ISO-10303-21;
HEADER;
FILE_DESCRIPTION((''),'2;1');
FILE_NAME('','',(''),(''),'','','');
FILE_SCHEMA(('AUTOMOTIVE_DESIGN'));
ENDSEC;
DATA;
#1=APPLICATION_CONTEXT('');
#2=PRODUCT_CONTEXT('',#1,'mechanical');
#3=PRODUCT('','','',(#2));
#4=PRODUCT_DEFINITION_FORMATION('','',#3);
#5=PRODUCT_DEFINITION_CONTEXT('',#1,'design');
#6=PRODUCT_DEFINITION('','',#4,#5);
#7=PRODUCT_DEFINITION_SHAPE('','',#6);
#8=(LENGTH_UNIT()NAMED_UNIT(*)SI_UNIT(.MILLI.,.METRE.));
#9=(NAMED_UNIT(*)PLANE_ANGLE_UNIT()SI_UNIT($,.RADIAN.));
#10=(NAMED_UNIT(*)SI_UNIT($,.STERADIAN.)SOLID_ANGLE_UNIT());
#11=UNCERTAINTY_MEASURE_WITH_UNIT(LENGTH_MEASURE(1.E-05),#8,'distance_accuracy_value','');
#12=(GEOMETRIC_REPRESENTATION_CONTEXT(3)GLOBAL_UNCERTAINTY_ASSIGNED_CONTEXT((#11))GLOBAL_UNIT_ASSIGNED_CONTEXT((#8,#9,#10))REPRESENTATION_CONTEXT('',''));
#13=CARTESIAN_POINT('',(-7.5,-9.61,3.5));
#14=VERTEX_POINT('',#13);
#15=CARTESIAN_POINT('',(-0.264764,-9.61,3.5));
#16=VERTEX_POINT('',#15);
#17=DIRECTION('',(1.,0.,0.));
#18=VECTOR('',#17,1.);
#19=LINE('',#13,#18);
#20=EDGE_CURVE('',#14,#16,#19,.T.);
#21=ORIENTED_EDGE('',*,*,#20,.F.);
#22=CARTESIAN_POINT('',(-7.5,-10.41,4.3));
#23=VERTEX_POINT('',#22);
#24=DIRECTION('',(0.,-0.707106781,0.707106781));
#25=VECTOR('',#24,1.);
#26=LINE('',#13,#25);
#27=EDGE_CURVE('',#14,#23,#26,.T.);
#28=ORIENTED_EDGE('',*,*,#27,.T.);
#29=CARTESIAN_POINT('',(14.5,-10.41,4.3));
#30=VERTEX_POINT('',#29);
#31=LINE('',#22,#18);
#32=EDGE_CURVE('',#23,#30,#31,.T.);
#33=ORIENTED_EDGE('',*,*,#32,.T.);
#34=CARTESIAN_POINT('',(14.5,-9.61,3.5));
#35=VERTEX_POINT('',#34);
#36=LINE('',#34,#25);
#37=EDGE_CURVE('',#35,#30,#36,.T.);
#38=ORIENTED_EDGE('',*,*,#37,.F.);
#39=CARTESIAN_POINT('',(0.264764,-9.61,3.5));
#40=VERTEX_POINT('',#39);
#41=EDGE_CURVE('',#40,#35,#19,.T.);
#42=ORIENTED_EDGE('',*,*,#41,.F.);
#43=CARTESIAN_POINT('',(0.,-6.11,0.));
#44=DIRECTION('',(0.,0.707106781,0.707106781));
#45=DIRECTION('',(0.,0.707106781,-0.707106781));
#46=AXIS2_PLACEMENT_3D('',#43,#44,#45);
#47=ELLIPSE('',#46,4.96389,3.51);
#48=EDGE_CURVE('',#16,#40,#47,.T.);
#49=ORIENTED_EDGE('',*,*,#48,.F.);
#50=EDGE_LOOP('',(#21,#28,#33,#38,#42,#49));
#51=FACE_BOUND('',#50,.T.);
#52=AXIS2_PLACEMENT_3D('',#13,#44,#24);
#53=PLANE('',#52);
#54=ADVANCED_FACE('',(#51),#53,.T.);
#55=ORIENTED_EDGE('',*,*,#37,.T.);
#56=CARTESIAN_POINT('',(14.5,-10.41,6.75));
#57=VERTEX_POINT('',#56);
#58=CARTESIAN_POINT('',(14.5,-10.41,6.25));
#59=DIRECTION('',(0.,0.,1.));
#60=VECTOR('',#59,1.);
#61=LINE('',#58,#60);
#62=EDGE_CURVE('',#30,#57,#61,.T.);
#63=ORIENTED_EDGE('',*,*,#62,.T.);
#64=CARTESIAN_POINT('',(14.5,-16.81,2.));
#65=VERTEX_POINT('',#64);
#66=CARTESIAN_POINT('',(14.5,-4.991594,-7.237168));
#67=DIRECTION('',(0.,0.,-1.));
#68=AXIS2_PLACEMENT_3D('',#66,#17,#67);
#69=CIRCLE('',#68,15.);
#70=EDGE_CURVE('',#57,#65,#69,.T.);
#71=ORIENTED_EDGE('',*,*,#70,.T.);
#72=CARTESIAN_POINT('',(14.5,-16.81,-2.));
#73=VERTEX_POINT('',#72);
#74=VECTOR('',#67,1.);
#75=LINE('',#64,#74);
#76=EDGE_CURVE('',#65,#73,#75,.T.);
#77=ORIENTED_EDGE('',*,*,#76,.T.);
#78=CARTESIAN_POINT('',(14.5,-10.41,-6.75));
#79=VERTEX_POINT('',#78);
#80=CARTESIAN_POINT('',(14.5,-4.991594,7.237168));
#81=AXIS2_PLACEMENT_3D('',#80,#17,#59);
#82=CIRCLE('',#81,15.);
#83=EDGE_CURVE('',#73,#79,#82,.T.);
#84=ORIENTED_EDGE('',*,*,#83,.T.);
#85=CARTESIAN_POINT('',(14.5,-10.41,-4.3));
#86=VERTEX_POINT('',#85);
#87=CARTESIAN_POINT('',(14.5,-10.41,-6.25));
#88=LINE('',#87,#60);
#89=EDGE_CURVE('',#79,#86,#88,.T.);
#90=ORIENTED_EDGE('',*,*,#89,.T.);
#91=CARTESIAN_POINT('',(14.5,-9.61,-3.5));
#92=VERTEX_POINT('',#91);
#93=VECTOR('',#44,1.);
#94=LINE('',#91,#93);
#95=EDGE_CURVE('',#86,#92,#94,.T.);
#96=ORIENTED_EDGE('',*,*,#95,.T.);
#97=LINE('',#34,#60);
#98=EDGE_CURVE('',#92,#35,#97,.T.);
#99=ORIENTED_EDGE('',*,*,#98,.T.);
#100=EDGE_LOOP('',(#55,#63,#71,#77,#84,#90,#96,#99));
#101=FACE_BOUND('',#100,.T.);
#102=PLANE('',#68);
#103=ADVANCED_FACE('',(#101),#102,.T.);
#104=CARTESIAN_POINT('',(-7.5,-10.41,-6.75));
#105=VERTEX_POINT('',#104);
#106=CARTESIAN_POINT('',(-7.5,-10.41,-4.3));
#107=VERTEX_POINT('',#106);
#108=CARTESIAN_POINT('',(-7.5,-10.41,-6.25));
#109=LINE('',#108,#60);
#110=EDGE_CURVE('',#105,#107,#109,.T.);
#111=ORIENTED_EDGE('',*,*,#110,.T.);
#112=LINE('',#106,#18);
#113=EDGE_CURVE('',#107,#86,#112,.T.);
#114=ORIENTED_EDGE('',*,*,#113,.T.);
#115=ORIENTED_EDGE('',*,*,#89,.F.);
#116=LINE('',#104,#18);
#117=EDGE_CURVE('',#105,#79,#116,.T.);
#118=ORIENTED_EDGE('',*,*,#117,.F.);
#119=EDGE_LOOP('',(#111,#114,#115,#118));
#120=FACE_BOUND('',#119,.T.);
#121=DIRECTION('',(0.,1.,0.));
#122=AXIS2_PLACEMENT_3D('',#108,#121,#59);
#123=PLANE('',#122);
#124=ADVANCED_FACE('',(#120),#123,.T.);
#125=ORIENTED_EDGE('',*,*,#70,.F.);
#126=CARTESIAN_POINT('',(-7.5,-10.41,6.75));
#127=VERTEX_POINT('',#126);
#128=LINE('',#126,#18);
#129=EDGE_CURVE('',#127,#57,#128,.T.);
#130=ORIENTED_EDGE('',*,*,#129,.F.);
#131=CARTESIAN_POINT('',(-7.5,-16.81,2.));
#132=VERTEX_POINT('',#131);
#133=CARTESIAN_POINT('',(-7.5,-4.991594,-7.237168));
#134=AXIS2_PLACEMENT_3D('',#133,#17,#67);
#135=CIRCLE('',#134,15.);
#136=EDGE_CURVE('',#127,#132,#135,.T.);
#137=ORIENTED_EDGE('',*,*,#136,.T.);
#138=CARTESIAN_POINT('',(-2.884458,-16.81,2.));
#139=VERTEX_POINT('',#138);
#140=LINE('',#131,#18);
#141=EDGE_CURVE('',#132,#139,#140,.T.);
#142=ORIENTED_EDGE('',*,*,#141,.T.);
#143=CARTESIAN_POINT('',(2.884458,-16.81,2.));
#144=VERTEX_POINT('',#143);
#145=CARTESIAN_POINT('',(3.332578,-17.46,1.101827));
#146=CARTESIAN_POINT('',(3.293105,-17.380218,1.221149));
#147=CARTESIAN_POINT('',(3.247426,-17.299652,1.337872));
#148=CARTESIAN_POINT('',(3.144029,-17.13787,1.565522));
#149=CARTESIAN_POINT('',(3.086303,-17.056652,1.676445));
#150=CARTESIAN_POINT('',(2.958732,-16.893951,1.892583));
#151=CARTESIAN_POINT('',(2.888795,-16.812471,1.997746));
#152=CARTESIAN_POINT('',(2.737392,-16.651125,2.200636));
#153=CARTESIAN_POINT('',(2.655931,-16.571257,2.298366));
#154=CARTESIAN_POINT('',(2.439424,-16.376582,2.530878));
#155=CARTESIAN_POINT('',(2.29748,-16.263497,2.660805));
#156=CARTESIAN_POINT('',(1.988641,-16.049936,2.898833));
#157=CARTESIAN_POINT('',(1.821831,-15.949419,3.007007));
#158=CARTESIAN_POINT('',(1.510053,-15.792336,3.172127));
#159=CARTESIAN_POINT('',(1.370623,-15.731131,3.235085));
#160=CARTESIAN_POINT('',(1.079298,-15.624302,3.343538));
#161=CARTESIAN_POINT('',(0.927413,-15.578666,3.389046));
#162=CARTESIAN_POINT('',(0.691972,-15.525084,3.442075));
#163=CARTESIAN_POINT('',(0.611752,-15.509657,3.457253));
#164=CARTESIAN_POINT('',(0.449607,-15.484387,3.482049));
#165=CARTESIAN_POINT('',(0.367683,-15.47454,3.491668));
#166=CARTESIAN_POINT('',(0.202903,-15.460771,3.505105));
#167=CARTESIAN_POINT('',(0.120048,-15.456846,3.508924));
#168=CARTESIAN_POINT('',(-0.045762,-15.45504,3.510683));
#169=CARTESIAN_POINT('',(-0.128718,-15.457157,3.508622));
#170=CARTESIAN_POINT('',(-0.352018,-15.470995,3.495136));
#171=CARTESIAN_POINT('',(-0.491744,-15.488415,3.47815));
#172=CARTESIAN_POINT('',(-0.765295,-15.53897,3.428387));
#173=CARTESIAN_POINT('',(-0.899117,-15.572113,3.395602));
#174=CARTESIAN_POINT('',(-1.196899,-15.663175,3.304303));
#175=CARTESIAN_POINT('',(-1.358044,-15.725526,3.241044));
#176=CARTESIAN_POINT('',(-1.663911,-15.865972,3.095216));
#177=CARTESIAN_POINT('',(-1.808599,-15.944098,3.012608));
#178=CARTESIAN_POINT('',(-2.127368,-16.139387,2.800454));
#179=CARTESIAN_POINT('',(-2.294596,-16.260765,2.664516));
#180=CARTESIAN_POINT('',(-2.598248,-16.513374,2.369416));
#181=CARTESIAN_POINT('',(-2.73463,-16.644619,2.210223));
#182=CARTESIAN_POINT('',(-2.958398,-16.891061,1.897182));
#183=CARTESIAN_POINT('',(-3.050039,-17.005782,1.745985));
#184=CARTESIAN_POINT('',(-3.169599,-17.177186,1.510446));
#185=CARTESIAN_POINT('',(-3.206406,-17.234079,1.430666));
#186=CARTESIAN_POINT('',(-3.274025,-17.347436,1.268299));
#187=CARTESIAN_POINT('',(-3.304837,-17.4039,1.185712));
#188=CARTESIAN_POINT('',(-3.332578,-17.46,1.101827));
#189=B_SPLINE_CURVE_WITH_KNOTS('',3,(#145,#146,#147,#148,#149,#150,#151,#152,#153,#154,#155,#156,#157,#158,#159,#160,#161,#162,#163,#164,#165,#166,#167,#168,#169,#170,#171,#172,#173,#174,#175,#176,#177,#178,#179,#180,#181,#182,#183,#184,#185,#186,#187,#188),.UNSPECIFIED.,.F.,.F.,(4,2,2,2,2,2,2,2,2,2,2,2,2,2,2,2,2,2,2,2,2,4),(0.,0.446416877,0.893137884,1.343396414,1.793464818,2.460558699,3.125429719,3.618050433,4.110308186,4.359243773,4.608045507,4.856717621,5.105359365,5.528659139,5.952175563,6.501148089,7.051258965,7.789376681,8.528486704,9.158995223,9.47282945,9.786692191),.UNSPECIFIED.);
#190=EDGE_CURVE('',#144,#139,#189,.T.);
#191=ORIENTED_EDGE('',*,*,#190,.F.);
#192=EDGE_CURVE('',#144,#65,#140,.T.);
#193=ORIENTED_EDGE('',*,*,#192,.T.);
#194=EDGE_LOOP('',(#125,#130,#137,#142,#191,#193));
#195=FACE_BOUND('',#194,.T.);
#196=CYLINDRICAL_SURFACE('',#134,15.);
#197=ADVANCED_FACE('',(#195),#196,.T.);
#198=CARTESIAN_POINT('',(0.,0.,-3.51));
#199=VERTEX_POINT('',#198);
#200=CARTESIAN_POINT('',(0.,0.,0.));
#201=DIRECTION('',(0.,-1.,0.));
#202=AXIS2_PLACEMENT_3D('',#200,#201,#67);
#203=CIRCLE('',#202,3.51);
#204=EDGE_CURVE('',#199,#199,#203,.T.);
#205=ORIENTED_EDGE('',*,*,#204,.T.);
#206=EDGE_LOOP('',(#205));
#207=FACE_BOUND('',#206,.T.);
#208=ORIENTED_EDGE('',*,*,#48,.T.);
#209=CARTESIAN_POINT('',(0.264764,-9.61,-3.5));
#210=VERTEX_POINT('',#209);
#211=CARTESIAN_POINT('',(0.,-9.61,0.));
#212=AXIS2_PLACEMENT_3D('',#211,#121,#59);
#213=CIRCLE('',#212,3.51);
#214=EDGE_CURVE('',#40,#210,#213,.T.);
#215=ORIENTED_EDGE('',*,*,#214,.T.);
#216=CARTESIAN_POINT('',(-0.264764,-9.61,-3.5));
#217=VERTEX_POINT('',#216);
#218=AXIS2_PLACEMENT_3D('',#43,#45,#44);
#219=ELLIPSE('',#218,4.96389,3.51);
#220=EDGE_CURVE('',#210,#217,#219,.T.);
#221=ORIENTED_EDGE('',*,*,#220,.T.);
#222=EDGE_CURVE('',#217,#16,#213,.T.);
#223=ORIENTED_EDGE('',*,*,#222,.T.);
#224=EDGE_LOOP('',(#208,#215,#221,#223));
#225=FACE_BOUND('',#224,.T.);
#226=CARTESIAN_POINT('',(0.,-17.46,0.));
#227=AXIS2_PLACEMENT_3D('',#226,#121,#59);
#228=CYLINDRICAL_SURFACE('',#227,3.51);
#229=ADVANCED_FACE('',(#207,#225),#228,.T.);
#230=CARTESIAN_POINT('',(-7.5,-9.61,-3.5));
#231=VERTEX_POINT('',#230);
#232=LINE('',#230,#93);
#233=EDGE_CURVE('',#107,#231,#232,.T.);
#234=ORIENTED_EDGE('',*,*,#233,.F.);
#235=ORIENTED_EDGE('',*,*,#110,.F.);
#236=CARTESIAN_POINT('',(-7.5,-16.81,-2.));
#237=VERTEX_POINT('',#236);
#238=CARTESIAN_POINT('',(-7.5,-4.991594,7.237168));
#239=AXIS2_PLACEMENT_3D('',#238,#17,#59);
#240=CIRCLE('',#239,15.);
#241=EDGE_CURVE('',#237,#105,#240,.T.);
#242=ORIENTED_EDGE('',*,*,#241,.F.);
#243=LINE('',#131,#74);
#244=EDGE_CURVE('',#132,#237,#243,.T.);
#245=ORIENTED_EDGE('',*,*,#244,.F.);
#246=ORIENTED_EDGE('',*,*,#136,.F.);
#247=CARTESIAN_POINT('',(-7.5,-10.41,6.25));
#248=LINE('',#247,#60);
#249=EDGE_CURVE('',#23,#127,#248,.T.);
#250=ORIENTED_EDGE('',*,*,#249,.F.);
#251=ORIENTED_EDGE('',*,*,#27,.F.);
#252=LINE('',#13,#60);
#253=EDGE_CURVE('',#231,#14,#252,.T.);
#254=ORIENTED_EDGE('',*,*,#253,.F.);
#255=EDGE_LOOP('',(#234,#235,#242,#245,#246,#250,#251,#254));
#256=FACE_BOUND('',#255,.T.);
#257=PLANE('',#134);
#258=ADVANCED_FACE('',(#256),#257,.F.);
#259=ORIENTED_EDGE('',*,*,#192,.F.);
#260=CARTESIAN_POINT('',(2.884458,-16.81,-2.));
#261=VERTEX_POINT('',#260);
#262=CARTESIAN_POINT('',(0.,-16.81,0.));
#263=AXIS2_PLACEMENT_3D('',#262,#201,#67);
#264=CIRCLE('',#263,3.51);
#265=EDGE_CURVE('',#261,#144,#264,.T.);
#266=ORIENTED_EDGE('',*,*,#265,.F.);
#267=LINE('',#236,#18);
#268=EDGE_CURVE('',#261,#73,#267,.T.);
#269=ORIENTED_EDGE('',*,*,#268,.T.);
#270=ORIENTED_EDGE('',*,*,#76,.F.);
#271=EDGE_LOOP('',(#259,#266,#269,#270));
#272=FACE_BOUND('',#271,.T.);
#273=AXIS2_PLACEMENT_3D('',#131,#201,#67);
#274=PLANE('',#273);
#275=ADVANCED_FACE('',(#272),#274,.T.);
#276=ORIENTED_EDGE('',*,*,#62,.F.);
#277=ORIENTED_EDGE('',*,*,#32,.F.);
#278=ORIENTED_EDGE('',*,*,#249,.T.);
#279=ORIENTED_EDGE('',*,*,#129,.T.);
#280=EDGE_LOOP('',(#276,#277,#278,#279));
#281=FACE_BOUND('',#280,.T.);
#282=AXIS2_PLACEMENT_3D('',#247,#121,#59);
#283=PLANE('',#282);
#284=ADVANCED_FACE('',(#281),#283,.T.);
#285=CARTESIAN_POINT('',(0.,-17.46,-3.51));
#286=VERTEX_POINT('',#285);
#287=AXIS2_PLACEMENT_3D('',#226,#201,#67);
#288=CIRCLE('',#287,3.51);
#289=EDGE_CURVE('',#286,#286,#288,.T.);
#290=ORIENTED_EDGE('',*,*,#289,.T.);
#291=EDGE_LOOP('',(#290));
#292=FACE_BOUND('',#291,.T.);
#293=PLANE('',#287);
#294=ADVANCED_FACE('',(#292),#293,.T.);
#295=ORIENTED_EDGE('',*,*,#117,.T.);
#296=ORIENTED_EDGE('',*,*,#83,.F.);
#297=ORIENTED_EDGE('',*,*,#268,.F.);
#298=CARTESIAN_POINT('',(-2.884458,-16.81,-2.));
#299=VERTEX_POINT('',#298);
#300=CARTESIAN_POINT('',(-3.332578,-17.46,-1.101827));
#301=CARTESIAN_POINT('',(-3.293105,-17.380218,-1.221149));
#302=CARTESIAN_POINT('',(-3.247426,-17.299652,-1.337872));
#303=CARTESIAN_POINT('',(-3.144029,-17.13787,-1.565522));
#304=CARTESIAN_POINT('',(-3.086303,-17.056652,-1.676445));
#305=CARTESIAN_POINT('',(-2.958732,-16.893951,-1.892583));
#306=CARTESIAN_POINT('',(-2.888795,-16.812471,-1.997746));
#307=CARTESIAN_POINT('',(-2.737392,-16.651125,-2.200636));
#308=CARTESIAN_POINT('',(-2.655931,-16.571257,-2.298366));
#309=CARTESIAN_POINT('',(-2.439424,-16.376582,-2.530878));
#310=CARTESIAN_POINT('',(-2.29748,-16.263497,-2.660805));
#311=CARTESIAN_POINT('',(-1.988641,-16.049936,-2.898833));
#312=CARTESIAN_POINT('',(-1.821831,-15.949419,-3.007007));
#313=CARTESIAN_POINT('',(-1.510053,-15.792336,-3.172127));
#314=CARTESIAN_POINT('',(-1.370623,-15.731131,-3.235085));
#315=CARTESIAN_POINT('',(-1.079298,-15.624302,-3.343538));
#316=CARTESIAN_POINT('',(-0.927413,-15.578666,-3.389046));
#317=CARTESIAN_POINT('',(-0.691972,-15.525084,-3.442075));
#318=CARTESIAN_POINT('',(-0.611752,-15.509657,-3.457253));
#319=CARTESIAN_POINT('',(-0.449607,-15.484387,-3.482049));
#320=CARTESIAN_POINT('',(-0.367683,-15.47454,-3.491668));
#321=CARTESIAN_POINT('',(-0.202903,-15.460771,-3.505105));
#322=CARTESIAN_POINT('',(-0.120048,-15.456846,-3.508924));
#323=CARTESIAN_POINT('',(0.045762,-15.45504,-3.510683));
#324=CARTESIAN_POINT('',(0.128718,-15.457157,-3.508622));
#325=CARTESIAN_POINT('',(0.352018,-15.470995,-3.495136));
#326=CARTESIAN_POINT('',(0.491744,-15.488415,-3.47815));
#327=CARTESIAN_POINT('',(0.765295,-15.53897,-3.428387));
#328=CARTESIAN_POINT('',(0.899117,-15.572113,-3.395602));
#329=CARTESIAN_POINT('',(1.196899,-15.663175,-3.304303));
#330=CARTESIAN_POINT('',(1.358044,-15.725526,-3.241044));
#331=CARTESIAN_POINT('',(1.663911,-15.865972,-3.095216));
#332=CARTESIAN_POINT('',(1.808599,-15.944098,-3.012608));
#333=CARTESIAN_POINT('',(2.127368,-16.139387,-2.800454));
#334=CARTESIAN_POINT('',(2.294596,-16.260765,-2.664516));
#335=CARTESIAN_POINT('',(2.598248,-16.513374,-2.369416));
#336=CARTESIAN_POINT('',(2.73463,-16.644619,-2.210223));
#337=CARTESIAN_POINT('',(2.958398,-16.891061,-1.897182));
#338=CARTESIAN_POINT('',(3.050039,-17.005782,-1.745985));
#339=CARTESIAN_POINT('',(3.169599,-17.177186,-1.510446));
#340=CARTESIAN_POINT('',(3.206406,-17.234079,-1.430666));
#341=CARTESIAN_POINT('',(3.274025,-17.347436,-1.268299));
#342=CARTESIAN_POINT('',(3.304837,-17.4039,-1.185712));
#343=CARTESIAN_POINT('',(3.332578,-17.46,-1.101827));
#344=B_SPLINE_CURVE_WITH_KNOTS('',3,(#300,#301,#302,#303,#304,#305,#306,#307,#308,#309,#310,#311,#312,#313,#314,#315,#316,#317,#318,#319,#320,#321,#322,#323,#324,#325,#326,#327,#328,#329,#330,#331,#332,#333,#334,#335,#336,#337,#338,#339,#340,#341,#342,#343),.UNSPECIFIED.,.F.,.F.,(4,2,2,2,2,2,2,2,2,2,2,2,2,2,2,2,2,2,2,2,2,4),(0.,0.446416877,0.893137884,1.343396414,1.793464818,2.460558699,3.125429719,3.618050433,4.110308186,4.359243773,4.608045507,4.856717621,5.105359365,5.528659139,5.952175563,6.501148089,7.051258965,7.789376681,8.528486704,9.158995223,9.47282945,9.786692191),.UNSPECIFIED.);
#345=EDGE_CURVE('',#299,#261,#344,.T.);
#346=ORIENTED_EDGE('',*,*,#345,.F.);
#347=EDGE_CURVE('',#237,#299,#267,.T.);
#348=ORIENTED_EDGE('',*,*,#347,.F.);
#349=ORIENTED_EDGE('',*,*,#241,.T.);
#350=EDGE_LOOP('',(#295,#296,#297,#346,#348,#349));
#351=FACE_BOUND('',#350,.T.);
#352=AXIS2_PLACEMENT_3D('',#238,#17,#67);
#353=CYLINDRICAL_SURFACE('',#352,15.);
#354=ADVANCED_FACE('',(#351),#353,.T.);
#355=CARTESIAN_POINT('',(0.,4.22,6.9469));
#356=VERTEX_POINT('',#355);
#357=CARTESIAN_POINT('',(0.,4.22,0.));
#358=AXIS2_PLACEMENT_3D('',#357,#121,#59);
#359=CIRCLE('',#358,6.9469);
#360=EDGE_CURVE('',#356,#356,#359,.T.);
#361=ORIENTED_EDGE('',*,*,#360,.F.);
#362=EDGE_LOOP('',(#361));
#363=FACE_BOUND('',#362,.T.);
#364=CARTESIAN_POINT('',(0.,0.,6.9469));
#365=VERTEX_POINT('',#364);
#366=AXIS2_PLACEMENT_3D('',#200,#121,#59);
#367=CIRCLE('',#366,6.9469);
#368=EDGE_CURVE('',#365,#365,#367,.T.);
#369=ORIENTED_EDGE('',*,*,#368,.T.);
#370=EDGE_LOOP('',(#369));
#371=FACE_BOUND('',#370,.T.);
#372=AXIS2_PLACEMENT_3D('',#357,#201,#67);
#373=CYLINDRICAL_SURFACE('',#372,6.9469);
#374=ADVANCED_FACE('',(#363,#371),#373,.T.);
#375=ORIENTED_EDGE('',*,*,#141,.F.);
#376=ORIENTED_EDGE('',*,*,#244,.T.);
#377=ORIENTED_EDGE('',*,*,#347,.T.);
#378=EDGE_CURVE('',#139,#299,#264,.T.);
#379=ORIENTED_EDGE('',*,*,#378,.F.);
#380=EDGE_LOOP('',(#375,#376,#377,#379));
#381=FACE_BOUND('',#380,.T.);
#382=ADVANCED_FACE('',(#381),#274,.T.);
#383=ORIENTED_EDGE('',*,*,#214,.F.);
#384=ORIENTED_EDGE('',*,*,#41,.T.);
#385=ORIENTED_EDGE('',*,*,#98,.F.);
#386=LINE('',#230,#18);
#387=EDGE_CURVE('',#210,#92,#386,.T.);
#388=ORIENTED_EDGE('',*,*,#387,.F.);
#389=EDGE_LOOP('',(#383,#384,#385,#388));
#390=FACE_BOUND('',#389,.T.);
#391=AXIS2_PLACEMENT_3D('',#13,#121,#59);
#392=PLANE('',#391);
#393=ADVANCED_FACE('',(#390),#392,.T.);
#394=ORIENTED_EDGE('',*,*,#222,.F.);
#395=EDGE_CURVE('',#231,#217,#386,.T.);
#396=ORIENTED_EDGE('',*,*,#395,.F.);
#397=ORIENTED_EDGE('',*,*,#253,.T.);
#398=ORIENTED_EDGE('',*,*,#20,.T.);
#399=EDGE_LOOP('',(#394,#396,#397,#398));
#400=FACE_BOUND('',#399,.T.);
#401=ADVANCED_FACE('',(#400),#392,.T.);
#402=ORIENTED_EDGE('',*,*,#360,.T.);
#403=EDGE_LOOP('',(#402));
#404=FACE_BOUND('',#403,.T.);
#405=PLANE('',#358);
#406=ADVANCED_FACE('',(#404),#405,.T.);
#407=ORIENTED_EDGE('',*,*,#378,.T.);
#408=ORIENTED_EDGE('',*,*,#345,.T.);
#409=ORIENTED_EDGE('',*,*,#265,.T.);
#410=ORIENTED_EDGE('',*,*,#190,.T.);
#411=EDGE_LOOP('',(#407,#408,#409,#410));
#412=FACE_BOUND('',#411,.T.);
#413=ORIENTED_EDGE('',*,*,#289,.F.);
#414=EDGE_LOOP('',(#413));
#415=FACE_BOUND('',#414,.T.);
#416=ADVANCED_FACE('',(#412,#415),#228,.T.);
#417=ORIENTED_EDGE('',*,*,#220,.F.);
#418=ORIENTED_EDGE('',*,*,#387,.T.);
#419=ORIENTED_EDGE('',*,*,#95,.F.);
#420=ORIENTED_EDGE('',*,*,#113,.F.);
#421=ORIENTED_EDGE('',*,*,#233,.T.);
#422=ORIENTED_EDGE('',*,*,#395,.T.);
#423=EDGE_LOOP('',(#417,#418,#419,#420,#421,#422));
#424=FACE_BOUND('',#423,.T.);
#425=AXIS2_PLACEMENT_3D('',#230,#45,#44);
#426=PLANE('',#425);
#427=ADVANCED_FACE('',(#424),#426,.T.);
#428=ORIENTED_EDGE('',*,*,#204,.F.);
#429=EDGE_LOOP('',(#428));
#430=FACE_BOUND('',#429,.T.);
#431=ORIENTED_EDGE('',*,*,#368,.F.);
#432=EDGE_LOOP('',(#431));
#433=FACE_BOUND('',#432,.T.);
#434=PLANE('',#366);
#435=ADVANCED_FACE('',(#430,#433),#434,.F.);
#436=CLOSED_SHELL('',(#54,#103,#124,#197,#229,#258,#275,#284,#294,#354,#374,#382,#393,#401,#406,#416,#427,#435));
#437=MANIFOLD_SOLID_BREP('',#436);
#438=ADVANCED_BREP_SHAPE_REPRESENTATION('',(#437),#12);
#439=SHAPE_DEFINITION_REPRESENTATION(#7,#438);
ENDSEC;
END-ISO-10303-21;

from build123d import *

# Parameters (mm, degrees)
SKETCH1_R                = 6.9469
BOSS_EXTRUDE1_DEPTH      = 4.22
SKETCH2_R                = 3.51
BOSS_EXTRUDE2_DEPTH      = 17.46
BOSS_EXTRUDE3_DEPTH      = 14.5
BOSS_EXTRUDE3_DEPTH_BACK = 7.5


with BuildPart() as part:
    # Sketch1 → Boss-Extrude1 (new body)
    with BuildSketch(Plane(origin=(0, 0, 0), x_dir=(1, 0, 0), z_dir=(0, 1, 0))):
        with Locations(Location((0, 0, 0), (0, 0, 270))):
            Circle(SKETCH1_R)
    extrude(amount=BOSS_EXTRUDE1_DEPTH)

    # Sketch2 → Boss-Extrude2 (add)
    with BuildSketch(Plane(origin=(0, 0, 0), x_dir=(-1, 0, 0), z_dir=(0, -1, 0))):
        with Locations(Location((0, 0, 0), (0, 0, 90))):
            Circle(SKETCH2_R)
    extrude(amount=BOSS_EXTRUDE2_DEPTH)

    # Sketch3 → Boss-Extrude3 (add, two sides: drawn at the far end of the back side and taken through both)
    with BuildSketch(Plane(origin=(0, 0, 0), x_dir=(0, 0, -1), z_dir=(1, 0, 0)).offset(-BOSS_EXTRUDE3_DEPTH_BACK)):
        with BuildLine():
            Line((-6.249999984, -10.41), (-6.75, -10.41))
            ThreePointArc((-6.75, -10.41), (-4.807849454, -13.931255454), (-2, -16.81))
            Line((-2, -16.81), (2, -16.81))
            ThreePointArc((2, -16.81), (4.807849454, -13.931255454), (6.75, -10.41))
            Line((6.75, -10.41), (6.249999984, -10.41))
            Line((6.249999984, -10.41), (4.3, -10.41))
            Line((4.3, -10.41), (3.5, -9.61))
            Line((3.5, -9.61), (-3.5, -9.61))
            Line((-3.5, -9.61), (-4.3, -10.41))
            Line((-4.3, -10.41), (-6.249999984, -10.41))
        make_face()
    extrude(amount=BOSS_EXTRUDE3_DEPTH + BOSS_EXTRUDE3_DEPTH_BACK)


solid = part.part
